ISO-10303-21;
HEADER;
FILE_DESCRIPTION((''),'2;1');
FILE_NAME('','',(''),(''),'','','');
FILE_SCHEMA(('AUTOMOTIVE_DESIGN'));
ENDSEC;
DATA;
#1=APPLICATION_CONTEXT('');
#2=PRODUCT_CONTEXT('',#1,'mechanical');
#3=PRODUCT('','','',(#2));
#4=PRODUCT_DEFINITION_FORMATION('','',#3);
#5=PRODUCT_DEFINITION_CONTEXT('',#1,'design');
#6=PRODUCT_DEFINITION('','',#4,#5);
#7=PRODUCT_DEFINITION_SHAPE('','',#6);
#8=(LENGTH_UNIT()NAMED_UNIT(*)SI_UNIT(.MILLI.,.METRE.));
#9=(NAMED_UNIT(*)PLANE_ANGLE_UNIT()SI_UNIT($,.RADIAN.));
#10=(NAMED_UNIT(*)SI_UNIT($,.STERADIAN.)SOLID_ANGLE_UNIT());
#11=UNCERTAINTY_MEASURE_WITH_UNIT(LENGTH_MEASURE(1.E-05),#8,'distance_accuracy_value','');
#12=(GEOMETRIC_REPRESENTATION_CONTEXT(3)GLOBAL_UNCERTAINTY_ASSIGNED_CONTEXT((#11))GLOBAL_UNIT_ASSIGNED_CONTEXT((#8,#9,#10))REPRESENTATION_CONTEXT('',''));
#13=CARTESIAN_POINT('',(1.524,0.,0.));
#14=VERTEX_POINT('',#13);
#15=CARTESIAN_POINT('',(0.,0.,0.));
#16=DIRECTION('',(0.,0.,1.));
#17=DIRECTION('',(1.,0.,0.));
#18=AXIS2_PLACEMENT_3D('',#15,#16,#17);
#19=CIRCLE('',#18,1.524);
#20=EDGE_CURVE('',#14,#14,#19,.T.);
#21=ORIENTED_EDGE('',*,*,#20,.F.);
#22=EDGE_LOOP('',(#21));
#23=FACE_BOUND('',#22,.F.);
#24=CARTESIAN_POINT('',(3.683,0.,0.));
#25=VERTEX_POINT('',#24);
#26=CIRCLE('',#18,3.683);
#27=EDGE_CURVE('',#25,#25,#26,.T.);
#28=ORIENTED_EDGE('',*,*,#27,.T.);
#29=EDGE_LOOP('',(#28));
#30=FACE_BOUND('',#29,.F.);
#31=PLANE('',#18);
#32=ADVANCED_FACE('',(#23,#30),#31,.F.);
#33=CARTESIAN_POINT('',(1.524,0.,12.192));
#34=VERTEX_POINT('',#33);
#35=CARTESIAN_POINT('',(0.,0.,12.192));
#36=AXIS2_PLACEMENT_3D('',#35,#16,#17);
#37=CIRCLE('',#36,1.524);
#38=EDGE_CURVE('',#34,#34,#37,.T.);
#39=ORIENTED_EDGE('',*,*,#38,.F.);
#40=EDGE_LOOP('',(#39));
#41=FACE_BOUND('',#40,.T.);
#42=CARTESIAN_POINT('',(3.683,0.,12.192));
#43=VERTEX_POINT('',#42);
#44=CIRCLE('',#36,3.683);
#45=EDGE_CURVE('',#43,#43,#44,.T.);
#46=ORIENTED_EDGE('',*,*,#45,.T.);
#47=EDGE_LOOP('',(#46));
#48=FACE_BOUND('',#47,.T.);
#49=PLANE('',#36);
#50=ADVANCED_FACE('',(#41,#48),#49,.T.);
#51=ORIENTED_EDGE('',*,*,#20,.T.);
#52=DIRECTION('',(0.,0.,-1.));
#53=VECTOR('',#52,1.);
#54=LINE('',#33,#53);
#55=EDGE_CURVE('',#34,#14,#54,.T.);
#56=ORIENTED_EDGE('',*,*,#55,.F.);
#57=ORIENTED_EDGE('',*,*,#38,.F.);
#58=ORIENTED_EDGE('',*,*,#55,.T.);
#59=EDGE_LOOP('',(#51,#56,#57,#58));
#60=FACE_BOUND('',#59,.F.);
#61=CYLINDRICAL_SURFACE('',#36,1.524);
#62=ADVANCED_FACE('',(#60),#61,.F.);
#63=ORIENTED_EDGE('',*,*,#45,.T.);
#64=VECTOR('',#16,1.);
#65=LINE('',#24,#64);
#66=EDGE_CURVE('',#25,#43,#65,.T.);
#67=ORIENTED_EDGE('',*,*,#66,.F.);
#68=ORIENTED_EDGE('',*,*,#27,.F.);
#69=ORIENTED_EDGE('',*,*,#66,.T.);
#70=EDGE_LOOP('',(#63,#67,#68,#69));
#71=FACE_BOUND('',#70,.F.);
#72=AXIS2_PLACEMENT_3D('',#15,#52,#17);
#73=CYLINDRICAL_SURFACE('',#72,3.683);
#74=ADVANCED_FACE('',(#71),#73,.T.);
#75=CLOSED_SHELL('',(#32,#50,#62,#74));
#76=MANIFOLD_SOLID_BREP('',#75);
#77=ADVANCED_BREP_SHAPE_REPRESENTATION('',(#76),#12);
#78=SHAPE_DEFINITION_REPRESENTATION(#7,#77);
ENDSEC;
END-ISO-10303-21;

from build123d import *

# Parameters (mm, degrees)
SKETCH_R    = 3.683
PAD_DEPTH   = 12.192
SKETCH001_R = 1.524
HOLE_DEPTH  = 24.9936


with BuildPart() as part:
    # Sketch → Pad (new body)
    with BuildSketch(Plane.XY):
        Circle(SKETCH_R)
    extrude(amount=PAD_DEPTH)

    # Sketch001 (on Face3 of Pad) → Hole (cut)
    with BuildSketch(Plane.XY.offset(12.192)):
        Circle(SKETCH001_R)
    extrude(amount=-HOLE_DEPTH, mode=Mode.SUBTRACT)


solid = part.part
